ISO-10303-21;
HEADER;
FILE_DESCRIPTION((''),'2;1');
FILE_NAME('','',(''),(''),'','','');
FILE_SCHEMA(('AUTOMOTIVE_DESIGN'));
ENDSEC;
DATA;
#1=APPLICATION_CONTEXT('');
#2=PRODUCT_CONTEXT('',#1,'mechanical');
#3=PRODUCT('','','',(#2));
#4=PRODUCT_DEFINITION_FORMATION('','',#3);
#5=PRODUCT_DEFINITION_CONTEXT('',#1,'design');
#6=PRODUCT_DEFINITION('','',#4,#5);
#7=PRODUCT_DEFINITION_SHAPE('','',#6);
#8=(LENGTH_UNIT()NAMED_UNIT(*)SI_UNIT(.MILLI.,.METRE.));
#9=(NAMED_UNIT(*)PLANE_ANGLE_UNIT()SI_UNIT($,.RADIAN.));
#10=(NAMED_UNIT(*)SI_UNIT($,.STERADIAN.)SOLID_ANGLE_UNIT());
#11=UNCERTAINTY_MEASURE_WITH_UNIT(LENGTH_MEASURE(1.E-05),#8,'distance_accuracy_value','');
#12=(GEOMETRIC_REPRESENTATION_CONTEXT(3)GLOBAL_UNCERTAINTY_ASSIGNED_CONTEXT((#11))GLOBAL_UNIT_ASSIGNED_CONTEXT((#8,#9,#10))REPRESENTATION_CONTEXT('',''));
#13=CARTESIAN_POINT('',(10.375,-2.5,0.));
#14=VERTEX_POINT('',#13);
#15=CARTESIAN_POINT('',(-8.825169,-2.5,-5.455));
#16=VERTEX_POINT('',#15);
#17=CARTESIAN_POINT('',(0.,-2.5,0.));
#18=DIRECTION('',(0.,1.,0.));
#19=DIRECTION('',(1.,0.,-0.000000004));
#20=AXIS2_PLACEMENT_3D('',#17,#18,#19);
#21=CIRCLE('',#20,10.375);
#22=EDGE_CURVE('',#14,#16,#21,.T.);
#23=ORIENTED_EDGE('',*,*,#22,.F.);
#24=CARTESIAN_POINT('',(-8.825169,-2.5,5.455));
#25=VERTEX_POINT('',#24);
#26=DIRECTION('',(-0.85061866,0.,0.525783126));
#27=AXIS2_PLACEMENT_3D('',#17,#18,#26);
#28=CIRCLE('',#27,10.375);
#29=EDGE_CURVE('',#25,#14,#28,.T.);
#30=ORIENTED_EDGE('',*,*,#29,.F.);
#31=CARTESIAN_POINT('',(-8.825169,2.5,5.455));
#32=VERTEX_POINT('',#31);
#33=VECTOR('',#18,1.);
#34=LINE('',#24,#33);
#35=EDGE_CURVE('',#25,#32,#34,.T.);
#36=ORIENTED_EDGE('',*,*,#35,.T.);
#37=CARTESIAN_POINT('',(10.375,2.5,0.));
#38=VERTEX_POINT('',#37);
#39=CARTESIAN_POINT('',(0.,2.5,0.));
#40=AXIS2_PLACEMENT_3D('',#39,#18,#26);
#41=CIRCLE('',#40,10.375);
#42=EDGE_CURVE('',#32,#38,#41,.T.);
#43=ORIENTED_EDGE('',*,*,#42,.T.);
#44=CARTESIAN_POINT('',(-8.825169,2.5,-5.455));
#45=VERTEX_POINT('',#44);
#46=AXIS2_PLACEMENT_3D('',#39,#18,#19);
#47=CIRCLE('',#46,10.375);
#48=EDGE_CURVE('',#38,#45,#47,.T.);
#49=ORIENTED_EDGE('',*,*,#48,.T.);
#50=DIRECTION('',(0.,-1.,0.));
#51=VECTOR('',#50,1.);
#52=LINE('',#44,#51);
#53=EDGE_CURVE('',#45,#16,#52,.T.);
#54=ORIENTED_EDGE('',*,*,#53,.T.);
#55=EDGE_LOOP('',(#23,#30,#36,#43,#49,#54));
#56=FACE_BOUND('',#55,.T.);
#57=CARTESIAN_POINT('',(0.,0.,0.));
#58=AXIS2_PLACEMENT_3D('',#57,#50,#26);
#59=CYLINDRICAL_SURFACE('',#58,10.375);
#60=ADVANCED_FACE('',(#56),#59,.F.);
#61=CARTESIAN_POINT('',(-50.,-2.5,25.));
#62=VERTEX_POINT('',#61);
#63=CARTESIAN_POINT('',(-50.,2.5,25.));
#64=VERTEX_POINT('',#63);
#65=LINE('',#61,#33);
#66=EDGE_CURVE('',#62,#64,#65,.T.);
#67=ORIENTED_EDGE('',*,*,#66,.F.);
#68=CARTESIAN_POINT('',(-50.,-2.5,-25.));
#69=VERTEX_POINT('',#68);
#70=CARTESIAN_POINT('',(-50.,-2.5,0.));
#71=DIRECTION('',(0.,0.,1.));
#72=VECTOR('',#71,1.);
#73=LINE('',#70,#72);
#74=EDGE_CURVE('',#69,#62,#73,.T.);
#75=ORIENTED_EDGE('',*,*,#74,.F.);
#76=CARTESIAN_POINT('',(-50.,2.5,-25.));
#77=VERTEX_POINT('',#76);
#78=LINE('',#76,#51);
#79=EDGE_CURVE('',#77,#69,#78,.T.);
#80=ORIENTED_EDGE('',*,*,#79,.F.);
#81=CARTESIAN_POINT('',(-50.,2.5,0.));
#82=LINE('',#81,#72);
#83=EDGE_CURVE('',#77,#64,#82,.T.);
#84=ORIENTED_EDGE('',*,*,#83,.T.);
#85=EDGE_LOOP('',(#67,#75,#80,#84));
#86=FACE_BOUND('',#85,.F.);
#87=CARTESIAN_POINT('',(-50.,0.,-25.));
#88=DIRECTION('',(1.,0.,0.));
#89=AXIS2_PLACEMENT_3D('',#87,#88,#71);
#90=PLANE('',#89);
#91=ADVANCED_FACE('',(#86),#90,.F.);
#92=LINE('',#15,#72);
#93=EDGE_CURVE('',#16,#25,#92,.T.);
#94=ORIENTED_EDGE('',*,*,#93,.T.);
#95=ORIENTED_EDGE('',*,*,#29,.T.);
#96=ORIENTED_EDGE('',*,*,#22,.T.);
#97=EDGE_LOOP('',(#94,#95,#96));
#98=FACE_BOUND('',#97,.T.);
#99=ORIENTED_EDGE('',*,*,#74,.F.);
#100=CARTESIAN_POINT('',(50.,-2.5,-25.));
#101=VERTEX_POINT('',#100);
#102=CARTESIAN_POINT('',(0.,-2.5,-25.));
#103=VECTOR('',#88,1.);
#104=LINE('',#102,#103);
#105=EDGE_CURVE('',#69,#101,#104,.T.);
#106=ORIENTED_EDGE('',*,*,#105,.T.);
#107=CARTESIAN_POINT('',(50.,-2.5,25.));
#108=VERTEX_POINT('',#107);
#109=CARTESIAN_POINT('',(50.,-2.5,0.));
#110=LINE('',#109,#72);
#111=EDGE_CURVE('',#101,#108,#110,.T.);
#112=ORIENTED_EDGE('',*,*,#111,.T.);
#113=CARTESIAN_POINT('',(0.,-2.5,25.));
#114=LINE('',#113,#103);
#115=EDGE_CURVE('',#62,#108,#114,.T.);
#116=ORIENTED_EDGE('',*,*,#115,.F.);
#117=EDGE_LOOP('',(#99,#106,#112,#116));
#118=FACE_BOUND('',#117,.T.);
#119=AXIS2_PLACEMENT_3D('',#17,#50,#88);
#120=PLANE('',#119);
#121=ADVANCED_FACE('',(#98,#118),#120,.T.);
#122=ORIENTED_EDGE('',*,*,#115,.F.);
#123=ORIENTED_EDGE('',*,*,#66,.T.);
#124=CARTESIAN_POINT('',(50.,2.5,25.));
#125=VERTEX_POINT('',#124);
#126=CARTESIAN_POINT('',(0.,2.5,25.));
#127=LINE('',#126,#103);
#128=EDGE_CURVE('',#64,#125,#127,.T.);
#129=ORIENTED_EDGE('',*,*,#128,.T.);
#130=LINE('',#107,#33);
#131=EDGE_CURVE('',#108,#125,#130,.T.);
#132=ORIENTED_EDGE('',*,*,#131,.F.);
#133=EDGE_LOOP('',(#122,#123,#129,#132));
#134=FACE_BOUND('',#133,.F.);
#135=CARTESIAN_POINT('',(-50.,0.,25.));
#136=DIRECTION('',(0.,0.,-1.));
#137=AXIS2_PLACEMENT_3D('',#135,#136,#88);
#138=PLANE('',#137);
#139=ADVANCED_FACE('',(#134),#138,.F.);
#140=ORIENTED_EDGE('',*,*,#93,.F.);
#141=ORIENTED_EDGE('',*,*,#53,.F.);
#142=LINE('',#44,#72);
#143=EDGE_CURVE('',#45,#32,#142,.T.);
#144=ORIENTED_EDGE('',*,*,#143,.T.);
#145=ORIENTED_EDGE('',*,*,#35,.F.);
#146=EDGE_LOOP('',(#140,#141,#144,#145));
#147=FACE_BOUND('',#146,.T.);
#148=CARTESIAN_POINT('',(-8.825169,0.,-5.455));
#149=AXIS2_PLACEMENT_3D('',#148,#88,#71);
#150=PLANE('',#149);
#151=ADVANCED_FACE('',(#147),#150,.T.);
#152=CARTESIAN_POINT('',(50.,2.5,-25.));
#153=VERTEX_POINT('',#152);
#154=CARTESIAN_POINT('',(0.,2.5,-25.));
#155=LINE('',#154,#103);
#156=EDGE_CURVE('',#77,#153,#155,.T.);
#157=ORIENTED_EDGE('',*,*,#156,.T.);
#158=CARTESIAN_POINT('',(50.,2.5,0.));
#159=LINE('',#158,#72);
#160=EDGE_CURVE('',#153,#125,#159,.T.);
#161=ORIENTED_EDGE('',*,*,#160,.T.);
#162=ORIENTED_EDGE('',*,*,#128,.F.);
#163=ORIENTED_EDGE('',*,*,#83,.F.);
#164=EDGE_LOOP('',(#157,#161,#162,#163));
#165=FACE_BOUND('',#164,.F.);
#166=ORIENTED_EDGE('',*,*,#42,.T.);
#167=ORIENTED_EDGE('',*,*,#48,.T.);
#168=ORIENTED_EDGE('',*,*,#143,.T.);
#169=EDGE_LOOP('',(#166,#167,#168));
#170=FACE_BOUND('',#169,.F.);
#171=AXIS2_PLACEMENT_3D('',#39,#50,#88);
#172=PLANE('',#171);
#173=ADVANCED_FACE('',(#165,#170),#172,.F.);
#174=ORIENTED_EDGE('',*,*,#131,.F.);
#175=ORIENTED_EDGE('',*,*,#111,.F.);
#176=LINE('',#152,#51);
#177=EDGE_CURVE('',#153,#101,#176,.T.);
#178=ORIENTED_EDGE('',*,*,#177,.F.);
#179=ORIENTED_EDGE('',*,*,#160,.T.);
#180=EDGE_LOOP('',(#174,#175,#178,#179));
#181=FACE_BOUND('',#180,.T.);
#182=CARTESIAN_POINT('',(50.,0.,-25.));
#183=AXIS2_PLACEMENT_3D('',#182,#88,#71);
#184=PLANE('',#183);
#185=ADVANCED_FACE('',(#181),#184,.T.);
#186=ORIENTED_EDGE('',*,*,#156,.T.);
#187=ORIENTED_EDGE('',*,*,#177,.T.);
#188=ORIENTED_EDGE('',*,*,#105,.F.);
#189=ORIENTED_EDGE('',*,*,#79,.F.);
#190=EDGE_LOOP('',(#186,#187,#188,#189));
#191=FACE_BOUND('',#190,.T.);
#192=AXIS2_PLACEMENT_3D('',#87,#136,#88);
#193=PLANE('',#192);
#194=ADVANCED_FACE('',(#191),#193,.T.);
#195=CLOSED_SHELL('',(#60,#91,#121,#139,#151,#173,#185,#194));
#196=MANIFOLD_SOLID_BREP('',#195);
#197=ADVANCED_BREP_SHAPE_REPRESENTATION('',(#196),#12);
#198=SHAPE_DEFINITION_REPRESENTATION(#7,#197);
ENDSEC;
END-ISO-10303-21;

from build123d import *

# Parameters (mm, degrees)
F0_W     = 100
F0_H     = 50
F1_DEPTH = 2.5


with BuildPart() as f1:
    # F0 (on Front) → F1 (new body, symmetric)
    with BuildSketch(Plane.XZ):
        Rectangle(F0_W, F0_H)
        with BuildLine():
            ThreePointArc((10.375, 0), (2.835445, -9.980024), (-8.825169, -5.455))
            Line((-8.825169, -5.455), (-8.825169, 0))
            Line((-8.825169, 0), (-8.825169, 5.455))
            ThreePointArc((-8.825169, 5.455), (2.835445, 9.980024), (10.375, 0))
        make_face(mode=Mode.SUBTRACT)
    extrude(amount=F1_DEPTH, both=True)


solid = f1.part
